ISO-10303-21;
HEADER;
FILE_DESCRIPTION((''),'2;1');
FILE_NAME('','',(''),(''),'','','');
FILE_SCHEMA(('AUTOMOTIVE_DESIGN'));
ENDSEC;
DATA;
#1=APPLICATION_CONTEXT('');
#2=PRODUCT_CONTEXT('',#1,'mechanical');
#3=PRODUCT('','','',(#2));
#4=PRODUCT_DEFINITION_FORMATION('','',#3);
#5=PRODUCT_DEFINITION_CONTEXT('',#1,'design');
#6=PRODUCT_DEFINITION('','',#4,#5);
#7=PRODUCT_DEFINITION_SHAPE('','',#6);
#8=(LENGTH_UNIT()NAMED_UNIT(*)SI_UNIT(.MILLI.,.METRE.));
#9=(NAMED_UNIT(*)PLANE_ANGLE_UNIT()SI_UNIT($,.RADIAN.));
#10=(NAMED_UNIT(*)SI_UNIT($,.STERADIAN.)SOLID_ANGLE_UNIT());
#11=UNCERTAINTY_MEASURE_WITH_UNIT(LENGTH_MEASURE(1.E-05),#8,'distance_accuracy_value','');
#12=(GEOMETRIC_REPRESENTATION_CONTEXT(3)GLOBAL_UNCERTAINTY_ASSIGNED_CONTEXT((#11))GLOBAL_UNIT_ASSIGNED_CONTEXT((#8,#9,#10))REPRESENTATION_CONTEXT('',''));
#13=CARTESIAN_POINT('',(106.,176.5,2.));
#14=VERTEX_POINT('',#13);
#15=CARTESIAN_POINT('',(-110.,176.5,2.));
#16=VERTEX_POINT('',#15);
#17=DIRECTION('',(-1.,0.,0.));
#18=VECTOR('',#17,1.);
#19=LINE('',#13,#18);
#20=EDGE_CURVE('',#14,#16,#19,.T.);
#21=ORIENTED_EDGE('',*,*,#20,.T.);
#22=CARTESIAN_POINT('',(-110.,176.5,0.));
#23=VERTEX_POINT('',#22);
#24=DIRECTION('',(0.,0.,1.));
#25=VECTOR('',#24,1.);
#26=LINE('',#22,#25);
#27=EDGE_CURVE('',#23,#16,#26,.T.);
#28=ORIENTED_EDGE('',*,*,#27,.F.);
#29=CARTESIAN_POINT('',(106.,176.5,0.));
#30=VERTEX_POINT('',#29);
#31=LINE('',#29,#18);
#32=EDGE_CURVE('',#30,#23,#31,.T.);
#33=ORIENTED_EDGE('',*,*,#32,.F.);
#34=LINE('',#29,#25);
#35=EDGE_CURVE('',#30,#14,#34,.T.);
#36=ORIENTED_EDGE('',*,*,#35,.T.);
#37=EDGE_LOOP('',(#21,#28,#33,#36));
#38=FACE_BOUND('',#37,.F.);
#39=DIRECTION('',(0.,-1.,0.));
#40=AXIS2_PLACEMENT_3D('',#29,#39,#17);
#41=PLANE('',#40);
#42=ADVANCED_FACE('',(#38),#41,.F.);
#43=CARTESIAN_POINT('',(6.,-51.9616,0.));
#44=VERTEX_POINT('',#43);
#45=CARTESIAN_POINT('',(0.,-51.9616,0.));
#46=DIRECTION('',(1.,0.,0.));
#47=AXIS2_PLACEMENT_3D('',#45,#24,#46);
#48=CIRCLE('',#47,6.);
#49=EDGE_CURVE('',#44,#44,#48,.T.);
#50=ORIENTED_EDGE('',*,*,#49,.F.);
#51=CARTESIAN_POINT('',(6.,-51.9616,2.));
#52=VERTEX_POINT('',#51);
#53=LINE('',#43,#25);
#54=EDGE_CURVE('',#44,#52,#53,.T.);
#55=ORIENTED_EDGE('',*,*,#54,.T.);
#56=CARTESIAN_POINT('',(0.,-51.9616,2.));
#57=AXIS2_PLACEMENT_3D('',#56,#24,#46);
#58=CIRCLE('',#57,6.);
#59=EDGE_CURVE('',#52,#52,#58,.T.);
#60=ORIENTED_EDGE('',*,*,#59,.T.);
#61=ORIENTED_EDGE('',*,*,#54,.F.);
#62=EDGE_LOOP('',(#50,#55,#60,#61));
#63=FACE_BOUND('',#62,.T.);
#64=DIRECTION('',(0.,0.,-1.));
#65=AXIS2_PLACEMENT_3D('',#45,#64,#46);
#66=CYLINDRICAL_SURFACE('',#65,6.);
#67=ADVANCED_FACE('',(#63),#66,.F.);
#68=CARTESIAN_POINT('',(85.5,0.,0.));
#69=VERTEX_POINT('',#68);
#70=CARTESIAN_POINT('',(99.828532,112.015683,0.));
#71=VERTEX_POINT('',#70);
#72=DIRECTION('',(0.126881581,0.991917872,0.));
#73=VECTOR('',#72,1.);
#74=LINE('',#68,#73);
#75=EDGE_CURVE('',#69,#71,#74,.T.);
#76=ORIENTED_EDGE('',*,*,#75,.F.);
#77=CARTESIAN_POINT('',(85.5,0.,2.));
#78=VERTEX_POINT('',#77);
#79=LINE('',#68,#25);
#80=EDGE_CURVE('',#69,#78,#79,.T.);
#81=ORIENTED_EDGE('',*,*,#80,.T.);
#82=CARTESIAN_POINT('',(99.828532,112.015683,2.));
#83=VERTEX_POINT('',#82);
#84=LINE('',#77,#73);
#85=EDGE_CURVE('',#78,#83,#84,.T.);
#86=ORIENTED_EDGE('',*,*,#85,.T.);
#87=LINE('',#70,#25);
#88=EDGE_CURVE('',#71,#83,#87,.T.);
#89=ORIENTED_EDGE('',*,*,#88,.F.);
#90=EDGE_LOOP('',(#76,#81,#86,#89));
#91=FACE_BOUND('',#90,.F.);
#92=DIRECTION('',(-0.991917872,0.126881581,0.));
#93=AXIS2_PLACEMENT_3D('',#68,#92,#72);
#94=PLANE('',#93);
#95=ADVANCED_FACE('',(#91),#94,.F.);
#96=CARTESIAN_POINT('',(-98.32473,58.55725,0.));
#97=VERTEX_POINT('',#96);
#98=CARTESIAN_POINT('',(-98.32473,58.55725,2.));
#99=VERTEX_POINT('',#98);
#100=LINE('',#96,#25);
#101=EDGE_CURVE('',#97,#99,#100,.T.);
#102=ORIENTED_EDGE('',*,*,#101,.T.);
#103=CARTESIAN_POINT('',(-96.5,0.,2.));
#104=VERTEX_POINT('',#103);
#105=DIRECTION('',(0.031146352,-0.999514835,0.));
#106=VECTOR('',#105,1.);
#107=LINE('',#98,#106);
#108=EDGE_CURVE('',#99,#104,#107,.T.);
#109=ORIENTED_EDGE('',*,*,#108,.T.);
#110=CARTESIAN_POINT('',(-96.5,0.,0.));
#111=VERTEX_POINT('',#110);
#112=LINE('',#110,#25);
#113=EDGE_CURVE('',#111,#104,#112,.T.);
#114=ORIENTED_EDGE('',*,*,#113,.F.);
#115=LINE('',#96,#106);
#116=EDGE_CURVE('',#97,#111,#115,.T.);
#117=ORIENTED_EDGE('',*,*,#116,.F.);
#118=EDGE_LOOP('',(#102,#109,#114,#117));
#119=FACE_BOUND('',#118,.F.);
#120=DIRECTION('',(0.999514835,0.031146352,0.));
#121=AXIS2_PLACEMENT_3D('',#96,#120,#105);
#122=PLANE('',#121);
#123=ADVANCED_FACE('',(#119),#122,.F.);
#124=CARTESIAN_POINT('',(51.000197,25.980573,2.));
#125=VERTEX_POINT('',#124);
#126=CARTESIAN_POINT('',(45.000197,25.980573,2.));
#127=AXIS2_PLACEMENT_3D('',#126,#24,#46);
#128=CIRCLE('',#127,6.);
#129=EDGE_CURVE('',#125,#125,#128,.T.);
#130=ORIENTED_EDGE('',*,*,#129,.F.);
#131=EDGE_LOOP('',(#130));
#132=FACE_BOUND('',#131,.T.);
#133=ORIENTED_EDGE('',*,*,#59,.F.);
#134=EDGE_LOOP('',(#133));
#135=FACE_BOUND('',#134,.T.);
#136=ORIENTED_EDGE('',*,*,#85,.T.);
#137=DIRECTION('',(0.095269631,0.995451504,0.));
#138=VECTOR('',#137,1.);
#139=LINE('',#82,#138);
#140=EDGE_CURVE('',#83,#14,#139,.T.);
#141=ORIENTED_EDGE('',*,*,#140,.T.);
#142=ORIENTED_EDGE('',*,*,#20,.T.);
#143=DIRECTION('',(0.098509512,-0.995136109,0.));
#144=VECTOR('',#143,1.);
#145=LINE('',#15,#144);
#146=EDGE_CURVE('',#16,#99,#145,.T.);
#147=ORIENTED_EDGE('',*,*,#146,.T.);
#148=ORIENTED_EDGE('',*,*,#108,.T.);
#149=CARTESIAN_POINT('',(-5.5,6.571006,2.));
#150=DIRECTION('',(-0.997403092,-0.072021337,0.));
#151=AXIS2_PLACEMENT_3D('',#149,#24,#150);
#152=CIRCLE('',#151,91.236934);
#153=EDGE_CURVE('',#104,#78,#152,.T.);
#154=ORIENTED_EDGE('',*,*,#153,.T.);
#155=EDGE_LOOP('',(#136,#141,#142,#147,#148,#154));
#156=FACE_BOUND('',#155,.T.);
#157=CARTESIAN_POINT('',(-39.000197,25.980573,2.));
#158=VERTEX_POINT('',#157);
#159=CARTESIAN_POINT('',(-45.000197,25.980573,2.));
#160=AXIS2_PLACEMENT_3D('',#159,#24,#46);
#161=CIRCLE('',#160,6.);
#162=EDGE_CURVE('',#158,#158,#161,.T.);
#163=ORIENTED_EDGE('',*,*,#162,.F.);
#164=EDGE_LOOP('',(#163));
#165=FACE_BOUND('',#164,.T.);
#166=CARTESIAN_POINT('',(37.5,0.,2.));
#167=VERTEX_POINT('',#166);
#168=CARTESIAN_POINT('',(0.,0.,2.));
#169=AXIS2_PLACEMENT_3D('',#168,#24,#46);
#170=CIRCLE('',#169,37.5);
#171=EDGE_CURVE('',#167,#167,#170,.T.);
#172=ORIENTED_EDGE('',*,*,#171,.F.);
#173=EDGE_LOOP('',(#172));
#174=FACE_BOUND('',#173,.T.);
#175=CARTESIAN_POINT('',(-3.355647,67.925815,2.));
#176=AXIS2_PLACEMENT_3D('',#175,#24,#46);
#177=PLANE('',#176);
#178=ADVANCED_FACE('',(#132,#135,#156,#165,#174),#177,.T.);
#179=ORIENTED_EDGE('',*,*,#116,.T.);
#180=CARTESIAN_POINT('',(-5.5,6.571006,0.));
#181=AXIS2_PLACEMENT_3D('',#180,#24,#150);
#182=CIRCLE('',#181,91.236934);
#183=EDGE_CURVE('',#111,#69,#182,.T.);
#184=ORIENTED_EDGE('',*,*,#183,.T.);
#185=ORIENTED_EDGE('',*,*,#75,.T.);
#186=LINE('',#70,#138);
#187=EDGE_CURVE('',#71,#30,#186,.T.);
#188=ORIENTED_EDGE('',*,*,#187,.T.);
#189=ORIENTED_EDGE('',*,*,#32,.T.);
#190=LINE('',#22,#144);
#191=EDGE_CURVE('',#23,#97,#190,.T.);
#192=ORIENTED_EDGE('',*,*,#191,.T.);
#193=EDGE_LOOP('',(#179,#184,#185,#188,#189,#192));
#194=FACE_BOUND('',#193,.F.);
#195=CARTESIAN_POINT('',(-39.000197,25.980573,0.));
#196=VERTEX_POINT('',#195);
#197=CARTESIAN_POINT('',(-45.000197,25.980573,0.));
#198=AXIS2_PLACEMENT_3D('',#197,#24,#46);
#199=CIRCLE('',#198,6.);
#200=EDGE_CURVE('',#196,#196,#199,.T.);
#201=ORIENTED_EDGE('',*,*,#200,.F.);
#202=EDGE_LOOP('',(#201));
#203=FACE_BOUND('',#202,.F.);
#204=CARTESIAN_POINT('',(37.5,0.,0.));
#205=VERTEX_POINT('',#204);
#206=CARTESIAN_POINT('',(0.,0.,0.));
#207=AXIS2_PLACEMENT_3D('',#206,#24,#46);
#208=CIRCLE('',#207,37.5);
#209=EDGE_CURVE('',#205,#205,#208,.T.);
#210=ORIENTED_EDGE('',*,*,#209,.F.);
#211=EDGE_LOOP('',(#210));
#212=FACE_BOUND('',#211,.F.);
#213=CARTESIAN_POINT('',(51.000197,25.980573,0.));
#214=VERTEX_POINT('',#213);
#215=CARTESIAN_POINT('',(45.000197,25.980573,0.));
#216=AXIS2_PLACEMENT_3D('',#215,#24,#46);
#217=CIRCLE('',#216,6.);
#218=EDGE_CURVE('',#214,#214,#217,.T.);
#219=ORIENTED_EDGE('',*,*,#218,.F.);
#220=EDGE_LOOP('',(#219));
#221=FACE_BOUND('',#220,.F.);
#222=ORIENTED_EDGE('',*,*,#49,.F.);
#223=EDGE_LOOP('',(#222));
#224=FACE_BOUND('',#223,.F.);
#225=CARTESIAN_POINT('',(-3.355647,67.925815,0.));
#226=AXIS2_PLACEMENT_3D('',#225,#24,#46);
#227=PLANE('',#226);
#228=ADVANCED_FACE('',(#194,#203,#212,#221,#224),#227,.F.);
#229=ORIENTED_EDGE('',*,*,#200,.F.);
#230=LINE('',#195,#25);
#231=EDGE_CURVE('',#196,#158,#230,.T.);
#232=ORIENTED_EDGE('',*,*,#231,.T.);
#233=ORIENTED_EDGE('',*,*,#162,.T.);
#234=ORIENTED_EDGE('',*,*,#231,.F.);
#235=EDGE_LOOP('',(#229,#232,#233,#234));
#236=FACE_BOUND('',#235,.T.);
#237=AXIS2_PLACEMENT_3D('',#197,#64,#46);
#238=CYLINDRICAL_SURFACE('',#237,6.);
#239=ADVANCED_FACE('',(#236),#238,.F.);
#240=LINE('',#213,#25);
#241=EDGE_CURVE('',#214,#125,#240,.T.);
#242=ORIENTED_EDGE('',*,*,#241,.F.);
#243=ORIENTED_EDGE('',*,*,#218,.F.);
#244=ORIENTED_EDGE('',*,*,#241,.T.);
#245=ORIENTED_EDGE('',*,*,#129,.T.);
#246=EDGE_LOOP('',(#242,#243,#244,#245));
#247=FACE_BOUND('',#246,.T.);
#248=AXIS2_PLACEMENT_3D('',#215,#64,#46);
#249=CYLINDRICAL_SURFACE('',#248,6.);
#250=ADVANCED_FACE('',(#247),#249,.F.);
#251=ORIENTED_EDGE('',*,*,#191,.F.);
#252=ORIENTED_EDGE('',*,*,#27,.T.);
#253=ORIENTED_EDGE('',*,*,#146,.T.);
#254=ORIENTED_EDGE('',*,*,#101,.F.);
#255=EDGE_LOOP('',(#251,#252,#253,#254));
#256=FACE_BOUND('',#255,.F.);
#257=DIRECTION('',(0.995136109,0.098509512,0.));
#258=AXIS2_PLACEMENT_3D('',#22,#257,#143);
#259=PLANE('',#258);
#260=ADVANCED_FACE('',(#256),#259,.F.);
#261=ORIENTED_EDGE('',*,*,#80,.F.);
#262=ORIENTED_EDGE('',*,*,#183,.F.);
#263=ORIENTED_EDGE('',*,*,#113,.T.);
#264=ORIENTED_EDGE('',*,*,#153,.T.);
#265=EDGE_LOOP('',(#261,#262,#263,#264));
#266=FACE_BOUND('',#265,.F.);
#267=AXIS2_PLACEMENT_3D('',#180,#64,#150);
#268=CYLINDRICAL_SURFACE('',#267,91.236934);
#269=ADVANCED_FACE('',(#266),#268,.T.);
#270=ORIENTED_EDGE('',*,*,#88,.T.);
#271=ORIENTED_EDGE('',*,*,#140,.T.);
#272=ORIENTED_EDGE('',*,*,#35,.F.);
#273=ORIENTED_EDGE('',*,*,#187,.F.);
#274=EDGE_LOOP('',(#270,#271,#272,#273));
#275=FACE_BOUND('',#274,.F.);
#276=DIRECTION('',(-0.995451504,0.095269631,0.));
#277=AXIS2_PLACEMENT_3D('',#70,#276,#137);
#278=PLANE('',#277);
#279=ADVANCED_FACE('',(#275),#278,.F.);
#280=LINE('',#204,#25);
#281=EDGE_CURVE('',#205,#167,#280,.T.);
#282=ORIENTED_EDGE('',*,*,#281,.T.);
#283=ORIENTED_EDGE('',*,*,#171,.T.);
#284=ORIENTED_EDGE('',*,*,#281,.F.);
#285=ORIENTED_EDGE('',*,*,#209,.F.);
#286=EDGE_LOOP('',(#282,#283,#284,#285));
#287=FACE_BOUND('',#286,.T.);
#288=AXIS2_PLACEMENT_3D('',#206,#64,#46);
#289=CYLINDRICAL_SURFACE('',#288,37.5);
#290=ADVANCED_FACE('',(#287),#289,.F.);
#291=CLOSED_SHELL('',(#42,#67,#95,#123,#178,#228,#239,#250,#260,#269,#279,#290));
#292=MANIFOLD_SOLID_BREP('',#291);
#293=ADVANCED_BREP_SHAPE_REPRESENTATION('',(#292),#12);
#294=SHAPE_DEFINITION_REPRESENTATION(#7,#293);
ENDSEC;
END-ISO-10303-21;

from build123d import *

# Parameters (mm, degrees)
F0_R     = 6
F0_R_2   = 37.5
F1_DEPTH = 2


with BuildPart() as f1:
    # F0 (on Top) → F1 (new body)
    with BuildSketch(Plane.XY):
        with BuildLine():
            Line((-98.32473, 58.55725), (-96.5, 0))
            ThreePointArc((-96.5, 0), (-5.5, -84.665928), (85.5, 0))
            Line((85.5, 0), (99.828532, 112.015683))
            Line((99.828532, 112.015683), (106, 176.5))
            Line((106, 176.5), (-110, 176.5))
            Line((-110, 176.5), (-98.32473, 58.55725))
        make_face()
        with Locations((-45.000197, 25.980573)):
            Circle(F0_R, mode=Mode.SUBTRACT)
        with Locations((0, -51.9616)):
            Circle(F0_R, mode=Mode.SUBTRACT)
        Circle(F0_R_2, mode=Mode.SUBTRACT)
        with Locations((45.000197, 25.980573)):
            Circle(F0_R, mode=Mode.SUBTRACT)
    extrude(amount=F1_DEPTH)


solid = f1.part
